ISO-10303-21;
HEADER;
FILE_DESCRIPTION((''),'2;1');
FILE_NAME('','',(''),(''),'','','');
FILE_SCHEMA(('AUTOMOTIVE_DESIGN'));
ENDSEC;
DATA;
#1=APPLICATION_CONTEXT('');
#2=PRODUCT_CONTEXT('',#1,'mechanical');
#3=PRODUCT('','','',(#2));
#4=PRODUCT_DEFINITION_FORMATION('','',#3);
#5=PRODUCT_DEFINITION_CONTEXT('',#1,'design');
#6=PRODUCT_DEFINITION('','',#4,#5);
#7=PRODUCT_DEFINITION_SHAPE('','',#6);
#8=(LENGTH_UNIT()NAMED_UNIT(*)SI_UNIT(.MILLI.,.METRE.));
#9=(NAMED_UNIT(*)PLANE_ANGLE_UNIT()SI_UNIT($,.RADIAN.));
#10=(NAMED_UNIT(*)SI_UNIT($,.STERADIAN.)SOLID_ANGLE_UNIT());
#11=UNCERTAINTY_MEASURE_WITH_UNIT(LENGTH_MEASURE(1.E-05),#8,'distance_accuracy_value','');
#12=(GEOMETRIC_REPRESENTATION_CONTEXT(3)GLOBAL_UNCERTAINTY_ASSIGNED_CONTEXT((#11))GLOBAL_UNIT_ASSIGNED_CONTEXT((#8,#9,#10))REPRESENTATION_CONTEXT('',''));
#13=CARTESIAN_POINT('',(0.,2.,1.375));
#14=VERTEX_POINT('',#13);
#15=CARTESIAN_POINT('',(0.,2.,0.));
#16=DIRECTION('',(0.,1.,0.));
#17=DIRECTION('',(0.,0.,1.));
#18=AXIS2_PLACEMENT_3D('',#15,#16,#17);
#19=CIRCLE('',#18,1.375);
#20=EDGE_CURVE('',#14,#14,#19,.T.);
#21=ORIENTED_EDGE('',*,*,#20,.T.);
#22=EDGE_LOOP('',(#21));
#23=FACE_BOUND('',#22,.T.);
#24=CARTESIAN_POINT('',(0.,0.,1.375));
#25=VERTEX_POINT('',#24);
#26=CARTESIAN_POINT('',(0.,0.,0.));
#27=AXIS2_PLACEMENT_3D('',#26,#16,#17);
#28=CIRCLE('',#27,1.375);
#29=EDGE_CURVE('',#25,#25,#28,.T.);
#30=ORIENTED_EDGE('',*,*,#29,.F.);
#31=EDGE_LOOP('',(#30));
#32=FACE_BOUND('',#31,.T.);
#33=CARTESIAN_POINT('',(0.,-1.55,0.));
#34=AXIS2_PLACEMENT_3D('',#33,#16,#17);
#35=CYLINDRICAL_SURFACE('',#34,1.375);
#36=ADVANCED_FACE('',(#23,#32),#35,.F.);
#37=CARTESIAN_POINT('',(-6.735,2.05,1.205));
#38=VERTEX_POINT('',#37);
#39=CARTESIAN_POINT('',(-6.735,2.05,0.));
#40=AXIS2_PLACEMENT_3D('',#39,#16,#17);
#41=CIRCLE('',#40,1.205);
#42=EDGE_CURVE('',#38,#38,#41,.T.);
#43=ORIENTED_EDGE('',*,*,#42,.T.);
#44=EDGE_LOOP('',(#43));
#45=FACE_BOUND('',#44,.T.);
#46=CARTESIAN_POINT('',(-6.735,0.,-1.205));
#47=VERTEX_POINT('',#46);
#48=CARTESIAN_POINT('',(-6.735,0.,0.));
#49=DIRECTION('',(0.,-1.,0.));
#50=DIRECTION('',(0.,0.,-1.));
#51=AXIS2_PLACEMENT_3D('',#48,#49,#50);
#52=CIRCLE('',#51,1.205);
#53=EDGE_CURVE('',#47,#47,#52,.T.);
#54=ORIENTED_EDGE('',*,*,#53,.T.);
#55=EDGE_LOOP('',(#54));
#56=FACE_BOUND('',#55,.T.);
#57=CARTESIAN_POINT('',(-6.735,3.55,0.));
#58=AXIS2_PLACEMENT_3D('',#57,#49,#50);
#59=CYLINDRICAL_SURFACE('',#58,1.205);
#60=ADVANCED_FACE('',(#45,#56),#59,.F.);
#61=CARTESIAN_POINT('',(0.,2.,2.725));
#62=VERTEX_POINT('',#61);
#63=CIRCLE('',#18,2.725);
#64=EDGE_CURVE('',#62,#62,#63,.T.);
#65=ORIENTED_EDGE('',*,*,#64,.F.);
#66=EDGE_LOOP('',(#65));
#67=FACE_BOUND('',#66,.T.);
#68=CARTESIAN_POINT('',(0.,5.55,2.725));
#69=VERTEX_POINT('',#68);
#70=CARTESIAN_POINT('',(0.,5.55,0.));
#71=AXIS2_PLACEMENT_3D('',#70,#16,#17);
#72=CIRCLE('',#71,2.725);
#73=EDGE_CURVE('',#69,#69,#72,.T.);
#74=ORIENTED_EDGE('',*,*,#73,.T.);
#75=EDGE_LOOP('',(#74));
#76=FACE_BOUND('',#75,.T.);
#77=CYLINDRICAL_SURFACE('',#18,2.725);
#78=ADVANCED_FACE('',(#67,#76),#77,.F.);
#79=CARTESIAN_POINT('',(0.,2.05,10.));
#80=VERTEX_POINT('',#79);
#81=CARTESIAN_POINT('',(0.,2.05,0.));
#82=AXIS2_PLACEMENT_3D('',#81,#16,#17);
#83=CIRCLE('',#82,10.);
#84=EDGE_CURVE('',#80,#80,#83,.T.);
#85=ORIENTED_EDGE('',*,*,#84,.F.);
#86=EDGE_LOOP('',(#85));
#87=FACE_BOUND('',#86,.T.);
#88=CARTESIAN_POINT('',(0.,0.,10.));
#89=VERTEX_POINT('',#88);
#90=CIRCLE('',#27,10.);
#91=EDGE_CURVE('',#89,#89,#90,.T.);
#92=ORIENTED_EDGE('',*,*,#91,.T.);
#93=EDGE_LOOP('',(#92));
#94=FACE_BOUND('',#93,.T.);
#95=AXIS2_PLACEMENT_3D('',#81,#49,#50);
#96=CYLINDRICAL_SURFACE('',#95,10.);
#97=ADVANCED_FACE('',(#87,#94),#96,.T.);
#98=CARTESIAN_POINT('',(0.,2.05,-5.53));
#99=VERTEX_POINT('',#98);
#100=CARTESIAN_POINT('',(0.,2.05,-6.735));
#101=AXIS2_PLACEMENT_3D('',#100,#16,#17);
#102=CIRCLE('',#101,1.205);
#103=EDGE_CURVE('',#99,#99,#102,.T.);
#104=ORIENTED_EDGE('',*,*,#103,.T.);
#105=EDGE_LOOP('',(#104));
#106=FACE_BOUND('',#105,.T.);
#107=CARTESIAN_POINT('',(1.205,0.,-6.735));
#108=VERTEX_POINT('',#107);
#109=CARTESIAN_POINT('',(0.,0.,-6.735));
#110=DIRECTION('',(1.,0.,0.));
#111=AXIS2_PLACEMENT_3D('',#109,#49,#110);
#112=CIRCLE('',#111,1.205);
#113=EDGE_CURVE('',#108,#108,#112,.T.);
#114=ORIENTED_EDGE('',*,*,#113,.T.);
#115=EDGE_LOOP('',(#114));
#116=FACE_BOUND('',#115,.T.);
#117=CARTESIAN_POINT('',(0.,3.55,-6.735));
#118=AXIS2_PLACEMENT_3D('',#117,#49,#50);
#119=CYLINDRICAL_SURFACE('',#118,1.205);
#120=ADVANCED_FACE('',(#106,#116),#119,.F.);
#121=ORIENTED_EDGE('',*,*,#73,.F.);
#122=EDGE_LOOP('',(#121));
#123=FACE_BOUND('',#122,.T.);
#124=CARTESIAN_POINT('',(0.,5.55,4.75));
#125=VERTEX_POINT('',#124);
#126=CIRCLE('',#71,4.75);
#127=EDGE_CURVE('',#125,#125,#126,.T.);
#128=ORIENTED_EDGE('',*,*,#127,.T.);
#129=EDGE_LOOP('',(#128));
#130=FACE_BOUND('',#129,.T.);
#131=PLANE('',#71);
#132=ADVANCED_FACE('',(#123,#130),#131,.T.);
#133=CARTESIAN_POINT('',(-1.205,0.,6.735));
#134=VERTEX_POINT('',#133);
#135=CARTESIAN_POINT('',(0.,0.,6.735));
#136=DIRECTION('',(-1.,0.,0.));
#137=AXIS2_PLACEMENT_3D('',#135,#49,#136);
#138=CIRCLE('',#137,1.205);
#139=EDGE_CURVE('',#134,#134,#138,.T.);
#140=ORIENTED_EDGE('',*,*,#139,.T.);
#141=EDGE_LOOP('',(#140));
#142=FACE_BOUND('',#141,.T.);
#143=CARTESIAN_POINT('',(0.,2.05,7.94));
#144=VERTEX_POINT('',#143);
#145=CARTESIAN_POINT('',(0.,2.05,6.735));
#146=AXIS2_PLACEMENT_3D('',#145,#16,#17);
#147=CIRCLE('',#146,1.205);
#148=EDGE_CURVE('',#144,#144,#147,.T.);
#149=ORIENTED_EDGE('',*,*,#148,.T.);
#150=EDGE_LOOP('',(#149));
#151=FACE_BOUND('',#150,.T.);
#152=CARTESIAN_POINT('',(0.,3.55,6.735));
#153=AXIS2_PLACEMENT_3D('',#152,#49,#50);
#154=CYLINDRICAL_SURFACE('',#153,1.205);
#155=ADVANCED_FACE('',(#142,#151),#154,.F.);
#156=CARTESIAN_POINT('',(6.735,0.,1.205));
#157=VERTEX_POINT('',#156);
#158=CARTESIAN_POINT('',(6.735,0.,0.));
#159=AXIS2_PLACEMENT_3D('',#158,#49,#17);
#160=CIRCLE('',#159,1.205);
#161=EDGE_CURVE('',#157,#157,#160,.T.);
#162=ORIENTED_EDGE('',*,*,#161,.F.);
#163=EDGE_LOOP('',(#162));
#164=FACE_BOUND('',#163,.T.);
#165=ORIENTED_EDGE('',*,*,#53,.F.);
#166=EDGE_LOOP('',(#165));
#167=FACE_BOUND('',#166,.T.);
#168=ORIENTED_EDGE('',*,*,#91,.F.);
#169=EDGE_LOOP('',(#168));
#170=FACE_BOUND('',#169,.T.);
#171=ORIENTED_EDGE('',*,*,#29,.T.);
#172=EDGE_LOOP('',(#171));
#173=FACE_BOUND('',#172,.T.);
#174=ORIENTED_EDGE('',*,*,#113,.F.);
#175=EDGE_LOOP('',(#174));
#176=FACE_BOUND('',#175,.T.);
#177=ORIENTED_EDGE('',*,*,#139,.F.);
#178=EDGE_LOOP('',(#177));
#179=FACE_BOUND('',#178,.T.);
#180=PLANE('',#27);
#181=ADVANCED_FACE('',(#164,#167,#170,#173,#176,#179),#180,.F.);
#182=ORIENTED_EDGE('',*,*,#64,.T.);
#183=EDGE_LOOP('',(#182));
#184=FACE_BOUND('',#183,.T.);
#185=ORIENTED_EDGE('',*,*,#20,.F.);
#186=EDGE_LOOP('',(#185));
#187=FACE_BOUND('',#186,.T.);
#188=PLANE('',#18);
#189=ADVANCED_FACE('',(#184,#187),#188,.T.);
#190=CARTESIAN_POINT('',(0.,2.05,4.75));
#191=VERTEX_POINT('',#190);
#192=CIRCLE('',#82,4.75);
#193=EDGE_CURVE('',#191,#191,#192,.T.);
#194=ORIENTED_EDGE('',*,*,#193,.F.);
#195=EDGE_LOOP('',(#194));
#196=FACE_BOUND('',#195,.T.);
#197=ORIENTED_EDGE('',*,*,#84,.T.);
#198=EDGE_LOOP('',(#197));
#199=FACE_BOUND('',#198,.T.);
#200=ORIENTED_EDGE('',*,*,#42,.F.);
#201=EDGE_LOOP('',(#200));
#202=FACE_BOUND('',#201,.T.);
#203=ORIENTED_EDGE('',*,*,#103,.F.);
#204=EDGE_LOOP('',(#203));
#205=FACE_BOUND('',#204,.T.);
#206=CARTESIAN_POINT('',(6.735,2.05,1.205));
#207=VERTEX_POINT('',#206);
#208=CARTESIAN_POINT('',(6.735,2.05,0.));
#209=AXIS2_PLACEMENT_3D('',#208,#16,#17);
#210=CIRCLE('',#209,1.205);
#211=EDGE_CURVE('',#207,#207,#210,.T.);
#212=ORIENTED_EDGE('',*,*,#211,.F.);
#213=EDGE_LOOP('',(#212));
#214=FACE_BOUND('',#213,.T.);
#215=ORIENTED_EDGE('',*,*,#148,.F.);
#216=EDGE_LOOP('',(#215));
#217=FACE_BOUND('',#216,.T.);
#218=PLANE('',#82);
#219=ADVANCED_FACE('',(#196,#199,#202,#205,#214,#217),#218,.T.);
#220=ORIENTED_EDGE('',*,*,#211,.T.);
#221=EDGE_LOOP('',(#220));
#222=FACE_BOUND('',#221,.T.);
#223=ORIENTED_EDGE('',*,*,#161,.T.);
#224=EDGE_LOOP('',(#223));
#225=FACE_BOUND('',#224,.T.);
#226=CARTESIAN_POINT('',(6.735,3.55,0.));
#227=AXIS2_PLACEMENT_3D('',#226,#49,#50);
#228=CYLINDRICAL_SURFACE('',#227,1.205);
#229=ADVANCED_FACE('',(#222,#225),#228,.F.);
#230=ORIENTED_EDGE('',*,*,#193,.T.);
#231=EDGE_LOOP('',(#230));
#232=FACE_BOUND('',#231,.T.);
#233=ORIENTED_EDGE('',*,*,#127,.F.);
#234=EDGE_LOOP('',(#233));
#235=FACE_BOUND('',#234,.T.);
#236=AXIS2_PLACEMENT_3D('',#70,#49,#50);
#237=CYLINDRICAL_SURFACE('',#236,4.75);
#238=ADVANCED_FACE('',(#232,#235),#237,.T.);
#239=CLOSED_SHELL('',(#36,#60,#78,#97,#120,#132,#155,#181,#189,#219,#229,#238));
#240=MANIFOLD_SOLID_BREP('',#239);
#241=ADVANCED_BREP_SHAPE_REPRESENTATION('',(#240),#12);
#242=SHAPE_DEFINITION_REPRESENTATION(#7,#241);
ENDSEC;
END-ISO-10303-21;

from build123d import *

# Parameters (mm, degrees)
SKETCH1_R           = 10
BOSS_EXTRUDE1_DEPTH = 2.05
SKETCH2_R           = 4.75
BOSS_EXTRUDE2_DEPTH = 3.5
SKETCH3_R           = 2.725
CUT_EXTRUDE1_DEPTH  = 3.55
SKETCH4_R           = 1.375
CUT_EXTRUDE2_DEPTH  = 3.55
SKETCH5_R           = 1.205
CUT_EXTRUDE3_DEPTH  = 3.55
CIRPATTERN1_COUNT   = 4


with BuildPart() as part:
    # Sketch1 → Boss-Extrude1 (new body)
    with BuildSketch(Plane(origin=(0, 0, 0), x_dir=(1, 0, 0), z_dir=(0, 1, 0))):
        Circle(SKETCH1_R)
    extrude(amount=BOSS_EXTRUDE1_DEPTH)

    # Sketch2 → Boss-Extrude2 (add)
    with BuildSketch(Plane(origin=(0, 2.05, 0), x_dir=(1, 0, 0), z_dir=(0, 1, 0))):
        Circle(SKETCH2_R)
    extrude(amount=BOSS_EXTRUDE2_DEPTH)

    # Sketch3 → Cut-Extrude1 (cut)
    with BuildSketch(Plane(origin=(0, 5.55, 0), x_dir=(1, 0, 0), z_dir=(0, 1, 0))):
        Circle(SKETCH3_R)
    extrude(amount=-CUT_EXTRUDE1_DEPTH, mode=Mode.SUBTRACT)

    # Sketch4 → Cut-Extrude2 (cut)
    with BuildSketch(Plane(origin=(0, 2, 0), x_dir=(1, 0, 0), z_dir=(0, 1, 0))):
        Circle(SKETCH4_R)
    extrude(amount=-CUT_EXTRUDE2_DEPTH, mode=Mode.SUBTRACT)

    # Sketch5 → Cut-Extrude3 (cut)
    with BuildSketch(Plane.XZ):
        with Locations((-6.735, 0)):
            Circle(SKETCH5_R)
    cut_extrude3 = extrude(amount=-CUT_EXTRUDE3_DEPTH, mode=Mode.SUBTRACT)

    # CirPattern1: Cut-Extrude3 ×4 about axis
    cirpattern1_axis = Axis((0, 0, 0), (0, 1, 0))
    for i in range(1, CIRPATTERN1_COUNT):
        add(cut_extrude3.rotate(cirpattern1_axis, i * 360 / CIRPATTERN1_COUNT), mode=Mode.SUBTRACT)


solid = part.part
